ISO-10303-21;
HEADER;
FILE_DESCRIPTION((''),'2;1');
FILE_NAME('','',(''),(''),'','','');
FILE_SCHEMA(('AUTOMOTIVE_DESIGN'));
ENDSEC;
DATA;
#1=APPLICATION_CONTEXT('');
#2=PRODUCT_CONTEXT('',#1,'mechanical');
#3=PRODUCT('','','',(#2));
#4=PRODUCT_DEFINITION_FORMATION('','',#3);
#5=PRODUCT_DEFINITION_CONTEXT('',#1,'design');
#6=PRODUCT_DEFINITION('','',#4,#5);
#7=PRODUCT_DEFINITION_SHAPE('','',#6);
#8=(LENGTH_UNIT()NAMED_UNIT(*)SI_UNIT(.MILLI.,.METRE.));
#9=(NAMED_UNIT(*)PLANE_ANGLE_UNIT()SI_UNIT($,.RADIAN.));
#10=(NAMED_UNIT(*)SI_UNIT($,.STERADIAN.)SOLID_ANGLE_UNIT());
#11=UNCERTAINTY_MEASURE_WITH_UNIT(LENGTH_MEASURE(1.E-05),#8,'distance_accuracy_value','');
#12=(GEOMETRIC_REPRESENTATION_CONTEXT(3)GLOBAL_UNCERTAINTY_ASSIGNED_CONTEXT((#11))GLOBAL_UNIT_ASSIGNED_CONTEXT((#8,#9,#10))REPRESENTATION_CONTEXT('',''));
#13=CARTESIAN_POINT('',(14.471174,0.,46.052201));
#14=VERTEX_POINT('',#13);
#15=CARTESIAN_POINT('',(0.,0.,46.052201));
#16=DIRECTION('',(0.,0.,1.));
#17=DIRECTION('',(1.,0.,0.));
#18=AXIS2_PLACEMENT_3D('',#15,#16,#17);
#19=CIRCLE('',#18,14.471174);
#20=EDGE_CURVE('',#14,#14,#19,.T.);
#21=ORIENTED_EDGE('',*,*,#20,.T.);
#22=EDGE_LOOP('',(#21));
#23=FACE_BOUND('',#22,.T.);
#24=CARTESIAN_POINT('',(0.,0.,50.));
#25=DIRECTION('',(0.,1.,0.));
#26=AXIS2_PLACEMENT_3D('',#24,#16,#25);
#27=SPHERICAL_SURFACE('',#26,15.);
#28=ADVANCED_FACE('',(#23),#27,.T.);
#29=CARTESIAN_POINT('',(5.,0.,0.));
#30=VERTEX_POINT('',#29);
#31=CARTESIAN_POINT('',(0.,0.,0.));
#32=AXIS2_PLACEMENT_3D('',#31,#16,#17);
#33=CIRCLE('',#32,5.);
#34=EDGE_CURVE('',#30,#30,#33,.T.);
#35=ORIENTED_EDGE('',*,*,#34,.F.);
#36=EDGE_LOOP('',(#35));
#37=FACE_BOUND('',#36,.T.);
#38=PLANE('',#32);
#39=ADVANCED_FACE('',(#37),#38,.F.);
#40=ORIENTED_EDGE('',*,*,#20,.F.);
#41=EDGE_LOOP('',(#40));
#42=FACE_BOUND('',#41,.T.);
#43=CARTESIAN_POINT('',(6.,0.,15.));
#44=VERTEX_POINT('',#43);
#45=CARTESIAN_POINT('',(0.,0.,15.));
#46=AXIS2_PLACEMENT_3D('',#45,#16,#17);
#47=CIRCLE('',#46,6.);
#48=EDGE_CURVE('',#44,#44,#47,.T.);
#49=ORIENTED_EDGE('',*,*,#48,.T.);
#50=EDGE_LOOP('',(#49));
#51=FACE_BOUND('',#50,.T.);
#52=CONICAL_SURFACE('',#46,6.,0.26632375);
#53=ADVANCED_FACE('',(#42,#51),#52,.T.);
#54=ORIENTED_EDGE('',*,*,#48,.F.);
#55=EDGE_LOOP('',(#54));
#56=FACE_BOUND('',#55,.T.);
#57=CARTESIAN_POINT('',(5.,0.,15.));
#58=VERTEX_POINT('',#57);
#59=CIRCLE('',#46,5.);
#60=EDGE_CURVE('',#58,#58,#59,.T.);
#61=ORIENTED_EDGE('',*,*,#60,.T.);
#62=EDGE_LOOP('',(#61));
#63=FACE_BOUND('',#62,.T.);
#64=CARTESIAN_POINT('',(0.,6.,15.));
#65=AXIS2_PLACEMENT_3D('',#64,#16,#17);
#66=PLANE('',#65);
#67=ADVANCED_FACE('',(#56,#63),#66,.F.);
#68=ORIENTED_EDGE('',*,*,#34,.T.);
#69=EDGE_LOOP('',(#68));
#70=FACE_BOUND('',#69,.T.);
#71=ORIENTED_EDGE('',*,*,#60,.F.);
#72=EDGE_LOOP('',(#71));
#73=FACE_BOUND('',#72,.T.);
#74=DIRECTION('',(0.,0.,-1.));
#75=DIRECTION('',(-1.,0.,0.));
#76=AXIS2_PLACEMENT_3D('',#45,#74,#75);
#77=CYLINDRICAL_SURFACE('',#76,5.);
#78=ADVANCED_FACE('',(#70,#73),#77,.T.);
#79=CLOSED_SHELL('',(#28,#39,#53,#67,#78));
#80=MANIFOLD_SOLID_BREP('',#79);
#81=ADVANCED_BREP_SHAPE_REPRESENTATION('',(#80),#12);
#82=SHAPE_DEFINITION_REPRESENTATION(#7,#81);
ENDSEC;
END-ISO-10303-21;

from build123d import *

# Parameters (mm, degrees)
SKETCH1_R           = 5
BOSS_EXTRUDE1_DEPTH = 15


with BuildPart() as part:
    # Sketch1 → Boss-Extrude1 (new body)
    with BuildSketch(Plane(origin=(-0.629991872, -7.961861068, 0), x_dir=(1, 0, 0), z_dir=(0, 0, 1))):
        with Locations((0.629991872, 7.961861068)):
            Circle(SKETCH1_R)
    extrude(amount=BOSS_EXTRUDE1_DEPTH)

    # Sketch2 → Revolve2 (revolve)
    with BuildSketch(Plane(origin=(0, 0, 0), x_dir=(0, 0, -1), z_dir=(1, 0, 0))):
        with BuildLine():
            Line((-65, 0), (-15, 0))
            Line((-15, 0), (-15, 6))
            Line((-15, 6), (-46.052201308, 14.471174295))
            ThreePointArc((-46.052201308, 14.471174295), (-59.104477459, 11.920926566), (-65, 0))
        make_face()
    revolve(axis=Axis((0, 0, 65), (0, 0, -1)))


solid = part.part
